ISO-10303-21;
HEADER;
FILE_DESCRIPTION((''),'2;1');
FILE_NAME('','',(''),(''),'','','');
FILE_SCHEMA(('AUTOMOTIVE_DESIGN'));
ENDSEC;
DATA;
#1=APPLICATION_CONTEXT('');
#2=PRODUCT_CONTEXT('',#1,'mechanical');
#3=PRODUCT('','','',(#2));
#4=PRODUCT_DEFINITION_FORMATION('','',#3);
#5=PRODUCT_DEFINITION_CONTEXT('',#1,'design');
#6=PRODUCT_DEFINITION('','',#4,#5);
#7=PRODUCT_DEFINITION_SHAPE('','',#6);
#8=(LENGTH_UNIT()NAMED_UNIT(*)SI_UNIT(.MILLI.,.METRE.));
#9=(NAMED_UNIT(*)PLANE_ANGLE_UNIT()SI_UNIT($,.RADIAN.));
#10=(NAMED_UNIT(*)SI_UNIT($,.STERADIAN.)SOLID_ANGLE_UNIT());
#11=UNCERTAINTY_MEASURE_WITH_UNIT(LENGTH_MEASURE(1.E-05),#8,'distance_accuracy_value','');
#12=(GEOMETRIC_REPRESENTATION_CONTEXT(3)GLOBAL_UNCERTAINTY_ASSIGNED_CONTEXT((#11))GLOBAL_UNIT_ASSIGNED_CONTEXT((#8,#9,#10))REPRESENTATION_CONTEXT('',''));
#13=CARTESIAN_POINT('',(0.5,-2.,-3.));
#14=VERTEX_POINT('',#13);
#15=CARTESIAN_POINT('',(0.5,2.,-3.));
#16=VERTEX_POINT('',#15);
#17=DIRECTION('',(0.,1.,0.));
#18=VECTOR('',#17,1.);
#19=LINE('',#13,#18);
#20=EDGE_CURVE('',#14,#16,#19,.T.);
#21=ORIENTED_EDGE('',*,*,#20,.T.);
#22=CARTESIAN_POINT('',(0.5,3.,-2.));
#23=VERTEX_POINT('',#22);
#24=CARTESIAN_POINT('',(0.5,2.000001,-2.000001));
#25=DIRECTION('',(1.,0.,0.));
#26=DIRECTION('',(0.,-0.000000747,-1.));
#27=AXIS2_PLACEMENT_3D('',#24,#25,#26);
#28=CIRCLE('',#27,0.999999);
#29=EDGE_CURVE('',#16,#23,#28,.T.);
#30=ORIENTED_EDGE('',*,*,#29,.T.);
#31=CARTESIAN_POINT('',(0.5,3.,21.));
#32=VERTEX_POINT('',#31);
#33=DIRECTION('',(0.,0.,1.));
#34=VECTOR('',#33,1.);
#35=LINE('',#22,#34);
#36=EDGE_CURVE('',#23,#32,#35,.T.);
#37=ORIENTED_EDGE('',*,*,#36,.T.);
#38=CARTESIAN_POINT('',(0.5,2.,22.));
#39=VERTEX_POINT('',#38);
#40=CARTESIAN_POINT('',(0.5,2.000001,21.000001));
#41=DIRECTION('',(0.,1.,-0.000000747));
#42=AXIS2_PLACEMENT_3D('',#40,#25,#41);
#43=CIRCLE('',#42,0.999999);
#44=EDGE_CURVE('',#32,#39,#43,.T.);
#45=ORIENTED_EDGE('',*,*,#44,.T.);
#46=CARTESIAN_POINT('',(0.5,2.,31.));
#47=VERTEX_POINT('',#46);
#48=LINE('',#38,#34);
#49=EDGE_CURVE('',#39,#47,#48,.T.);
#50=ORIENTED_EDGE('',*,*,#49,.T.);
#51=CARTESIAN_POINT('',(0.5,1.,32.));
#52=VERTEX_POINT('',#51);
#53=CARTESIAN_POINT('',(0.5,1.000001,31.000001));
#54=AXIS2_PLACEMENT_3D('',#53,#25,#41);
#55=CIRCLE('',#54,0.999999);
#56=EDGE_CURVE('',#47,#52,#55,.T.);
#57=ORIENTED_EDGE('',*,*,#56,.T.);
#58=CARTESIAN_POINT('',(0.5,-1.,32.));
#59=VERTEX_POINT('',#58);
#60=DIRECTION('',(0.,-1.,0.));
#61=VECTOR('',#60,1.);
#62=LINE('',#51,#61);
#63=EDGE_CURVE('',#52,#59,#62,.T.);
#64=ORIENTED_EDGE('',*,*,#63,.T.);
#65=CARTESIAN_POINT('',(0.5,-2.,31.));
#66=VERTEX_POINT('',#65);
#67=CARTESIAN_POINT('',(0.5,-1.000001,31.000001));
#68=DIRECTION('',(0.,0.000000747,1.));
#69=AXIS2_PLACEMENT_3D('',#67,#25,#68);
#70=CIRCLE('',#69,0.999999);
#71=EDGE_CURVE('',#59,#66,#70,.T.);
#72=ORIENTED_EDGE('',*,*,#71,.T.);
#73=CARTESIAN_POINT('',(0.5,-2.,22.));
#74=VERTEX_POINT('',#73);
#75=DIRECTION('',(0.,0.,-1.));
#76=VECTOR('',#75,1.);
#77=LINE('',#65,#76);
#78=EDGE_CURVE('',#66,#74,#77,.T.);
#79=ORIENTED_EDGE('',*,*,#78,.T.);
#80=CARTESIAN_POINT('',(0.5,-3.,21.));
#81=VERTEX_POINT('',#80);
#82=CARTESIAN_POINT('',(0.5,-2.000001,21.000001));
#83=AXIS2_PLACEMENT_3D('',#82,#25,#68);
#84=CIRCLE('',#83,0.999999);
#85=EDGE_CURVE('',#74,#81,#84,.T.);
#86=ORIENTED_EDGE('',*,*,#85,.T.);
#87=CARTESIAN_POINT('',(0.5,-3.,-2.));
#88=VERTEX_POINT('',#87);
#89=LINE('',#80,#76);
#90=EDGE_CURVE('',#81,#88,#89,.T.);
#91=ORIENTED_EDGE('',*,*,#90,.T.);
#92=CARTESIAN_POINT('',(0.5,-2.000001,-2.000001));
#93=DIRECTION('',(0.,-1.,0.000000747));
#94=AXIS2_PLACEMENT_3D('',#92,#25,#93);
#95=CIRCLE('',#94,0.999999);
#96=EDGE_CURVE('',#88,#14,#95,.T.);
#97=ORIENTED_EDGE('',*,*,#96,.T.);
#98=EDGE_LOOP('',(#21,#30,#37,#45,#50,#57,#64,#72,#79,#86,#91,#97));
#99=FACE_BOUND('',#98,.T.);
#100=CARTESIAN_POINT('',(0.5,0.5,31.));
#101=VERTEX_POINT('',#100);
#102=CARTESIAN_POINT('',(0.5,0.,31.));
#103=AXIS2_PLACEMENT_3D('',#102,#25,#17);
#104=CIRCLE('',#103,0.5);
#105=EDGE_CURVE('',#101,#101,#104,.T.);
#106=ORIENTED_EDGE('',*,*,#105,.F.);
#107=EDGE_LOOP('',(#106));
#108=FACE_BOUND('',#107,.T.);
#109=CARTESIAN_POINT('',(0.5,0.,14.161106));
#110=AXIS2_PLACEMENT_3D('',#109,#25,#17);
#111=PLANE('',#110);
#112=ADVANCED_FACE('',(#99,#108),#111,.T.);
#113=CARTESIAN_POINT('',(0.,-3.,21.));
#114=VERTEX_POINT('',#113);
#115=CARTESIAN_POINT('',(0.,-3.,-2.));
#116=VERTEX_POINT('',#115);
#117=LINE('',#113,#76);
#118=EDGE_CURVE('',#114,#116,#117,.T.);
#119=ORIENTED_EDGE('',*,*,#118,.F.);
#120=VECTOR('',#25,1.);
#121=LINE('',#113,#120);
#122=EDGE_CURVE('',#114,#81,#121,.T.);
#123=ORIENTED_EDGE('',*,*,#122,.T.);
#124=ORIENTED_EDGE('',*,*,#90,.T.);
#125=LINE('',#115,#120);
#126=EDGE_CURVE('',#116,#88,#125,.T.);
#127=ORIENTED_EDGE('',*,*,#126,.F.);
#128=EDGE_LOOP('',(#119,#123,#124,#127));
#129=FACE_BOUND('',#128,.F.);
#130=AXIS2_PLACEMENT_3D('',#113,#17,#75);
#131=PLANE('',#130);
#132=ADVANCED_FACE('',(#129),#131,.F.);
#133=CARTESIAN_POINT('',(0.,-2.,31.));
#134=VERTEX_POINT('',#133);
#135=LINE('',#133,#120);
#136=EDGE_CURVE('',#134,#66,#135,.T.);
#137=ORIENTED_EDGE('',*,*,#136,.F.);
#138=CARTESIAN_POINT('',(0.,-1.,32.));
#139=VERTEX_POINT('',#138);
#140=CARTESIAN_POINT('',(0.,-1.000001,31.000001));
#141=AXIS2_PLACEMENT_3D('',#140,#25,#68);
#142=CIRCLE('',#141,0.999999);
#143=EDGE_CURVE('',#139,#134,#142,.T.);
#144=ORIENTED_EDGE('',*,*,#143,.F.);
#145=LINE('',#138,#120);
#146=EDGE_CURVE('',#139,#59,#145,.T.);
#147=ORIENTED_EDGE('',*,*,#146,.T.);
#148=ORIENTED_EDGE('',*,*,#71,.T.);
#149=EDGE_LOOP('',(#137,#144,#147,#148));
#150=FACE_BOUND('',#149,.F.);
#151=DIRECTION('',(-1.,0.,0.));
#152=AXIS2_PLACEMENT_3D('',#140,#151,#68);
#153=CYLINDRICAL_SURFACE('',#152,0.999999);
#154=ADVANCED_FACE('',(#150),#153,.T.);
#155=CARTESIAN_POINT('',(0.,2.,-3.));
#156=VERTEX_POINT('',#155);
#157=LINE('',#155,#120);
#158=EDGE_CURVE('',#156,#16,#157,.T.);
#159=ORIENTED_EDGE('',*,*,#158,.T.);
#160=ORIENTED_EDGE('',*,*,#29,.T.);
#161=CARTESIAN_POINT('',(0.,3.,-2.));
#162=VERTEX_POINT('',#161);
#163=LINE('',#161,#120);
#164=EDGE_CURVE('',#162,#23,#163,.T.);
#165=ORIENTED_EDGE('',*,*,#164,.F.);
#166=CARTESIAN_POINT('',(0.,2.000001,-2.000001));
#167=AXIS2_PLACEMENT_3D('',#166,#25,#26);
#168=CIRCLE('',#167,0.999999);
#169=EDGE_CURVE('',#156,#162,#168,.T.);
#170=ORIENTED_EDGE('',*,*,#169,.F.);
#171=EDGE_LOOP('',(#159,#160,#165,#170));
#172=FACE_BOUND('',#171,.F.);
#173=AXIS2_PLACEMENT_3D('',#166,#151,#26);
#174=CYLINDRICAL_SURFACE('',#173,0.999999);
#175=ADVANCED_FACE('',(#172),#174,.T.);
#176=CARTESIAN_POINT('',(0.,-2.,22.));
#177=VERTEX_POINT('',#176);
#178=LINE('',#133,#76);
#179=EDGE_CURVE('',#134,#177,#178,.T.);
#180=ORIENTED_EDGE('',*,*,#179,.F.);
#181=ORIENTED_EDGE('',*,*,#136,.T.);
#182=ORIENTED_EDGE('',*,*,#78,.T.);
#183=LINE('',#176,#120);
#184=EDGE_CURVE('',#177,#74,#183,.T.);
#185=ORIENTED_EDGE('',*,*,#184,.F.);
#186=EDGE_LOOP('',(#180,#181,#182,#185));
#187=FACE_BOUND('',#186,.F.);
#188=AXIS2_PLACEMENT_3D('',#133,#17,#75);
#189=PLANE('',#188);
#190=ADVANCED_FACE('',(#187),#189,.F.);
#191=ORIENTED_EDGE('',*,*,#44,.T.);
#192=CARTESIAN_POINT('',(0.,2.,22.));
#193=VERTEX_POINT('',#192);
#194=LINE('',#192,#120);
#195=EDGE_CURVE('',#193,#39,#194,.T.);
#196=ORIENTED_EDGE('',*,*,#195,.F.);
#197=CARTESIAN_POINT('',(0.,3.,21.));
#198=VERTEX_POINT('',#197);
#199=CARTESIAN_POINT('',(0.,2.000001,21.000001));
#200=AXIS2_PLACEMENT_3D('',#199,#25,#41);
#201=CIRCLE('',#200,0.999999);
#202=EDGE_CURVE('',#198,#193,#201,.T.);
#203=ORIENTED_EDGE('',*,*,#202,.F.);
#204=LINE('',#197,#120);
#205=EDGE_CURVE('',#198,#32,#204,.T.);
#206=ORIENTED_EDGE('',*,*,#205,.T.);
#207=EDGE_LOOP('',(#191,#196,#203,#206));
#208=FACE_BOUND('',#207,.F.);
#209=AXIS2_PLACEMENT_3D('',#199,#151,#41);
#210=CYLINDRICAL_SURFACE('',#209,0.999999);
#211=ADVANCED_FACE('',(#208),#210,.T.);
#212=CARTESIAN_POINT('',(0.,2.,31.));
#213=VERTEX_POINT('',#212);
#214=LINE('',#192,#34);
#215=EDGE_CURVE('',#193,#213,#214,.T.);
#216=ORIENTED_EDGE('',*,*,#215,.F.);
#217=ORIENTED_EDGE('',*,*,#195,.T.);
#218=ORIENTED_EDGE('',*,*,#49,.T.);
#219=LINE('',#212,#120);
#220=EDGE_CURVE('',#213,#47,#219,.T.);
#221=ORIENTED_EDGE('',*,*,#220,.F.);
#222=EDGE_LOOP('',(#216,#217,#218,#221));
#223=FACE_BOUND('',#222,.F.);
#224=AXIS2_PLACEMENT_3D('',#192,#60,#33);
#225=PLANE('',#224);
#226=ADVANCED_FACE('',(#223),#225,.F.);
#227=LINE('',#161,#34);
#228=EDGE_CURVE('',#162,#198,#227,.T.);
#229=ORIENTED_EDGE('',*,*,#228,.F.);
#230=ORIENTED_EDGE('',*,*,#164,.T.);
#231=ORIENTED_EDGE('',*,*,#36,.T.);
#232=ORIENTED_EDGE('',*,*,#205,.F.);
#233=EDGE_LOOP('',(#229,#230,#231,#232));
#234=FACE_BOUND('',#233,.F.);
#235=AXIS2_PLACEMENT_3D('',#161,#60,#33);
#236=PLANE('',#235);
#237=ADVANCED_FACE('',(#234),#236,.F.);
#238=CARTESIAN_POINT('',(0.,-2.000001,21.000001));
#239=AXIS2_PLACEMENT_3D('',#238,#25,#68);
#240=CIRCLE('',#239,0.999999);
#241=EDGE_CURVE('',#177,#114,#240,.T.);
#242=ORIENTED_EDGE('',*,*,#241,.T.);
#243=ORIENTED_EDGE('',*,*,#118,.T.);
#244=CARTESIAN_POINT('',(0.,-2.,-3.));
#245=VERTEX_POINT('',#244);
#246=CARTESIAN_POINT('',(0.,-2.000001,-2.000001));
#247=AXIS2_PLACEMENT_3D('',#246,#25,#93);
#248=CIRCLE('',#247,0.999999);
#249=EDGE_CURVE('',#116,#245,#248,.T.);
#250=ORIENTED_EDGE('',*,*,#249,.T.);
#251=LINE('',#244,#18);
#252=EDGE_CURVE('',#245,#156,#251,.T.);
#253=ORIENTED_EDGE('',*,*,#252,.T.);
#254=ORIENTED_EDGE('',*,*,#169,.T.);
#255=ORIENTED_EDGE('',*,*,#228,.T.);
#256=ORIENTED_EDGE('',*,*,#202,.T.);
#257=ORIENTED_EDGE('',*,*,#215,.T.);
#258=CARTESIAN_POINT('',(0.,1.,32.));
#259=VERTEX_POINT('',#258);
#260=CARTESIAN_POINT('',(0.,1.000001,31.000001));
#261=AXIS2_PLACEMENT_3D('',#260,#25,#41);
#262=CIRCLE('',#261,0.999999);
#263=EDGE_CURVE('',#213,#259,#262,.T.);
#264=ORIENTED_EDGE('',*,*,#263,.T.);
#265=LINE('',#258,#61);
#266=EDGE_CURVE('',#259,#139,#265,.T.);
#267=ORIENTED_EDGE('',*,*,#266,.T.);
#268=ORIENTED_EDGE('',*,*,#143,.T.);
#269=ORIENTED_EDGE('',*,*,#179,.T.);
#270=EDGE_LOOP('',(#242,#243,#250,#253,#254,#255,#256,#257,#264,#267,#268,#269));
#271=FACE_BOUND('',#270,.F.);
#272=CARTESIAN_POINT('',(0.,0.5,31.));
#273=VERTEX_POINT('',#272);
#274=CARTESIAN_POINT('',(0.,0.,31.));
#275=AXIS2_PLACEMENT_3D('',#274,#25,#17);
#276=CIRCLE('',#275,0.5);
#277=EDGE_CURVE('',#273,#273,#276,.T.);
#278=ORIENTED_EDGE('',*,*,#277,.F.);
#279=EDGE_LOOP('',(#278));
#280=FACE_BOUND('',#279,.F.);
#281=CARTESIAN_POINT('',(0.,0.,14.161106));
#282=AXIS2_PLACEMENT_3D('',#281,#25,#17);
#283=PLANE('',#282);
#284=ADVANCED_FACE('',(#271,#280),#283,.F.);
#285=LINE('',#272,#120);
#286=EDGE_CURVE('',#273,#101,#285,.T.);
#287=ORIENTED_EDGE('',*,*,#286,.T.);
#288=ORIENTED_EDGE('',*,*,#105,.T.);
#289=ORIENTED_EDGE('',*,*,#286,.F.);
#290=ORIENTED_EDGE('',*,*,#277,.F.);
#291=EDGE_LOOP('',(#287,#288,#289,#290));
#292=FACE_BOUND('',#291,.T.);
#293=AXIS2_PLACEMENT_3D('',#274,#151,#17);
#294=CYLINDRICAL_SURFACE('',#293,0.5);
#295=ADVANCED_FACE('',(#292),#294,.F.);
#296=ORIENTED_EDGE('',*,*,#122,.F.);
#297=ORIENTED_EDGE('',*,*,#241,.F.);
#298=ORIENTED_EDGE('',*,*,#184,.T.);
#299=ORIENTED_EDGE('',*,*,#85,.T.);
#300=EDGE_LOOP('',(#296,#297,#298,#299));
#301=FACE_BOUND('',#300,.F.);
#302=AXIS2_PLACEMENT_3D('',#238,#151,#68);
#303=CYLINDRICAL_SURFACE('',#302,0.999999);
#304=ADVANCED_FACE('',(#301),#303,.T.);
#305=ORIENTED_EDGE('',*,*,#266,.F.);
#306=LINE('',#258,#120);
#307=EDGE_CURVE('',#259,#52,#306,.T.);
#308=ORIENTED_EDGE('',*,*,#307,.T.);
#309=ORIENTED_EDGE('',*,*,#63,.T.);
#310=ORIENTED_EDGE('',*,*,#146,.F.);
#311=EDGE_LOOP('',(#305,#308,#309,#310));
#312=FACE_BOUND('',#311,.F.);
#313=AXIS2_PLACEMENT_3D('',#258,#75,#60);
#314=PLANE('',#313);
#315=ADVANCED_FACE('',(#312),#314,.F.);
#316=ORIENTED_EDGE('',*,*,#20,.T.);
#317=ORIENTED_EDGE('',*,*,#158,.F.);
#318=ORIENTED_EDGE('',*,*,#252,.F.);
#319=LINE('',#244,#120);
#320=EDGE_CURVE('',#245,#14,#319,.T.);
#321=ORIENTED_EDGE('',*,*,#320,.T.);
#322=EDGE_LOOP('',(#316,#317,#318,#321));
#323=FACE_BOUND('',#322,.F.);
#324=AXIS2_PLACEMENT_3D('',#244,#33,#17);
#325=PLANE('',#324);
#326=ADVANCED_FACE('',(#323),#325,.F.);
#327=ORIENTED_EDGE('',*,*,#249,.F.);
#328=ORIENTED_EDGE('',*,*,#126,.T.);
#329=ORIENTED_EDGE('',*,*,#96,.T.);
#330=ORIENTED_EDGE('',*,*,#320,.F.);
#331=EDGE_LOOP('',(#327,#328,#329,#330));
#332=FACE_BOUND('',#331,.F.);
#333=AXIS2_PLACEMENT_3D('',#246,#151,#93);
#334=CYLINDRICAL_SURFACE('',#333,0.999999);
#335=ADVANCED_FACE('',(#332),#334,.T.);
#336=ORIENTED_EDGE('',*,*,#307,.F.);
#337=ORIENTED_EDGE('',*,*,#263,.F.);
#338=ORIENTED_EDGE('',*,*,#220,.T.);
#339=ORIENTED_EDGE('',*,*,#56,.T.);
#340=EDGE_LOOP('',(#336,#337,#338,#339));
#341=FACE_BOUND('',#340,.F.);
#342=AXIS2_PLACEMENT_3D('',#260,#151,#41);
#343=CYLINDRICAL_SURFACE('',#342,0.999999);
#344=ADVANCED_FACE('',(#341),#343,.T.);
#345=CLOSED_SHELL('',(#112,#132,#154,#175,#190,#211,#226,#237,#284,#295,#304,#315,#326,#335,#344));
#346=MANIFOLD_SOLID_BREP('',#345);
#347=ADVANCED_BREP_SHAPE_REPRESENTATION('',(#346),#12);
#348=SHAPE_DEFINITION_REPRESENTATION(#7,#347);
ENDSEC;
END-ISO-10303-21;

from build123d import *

# Parameters (mm, degrees)
F0_R     = 0.5
F1_DEPTH = 0.5


with BuildPart() as f1:
    # F0 (on Right) → F1 (new body)
    with BuildSketch(Plane.YZ):
        with BuildLine():
            ThreePointArc((-3, -2), (-2.707107, -2.707107), (-2, -3))
            Line((-2, -3), (2, -3))
            ThreePointArc((2, -3), (2.707107, -2.707107), (3, -2))
            Line((3, -2), (3, 21))
            ThreePointArc((3, 21), (2.707107, 21.707107), (2, 22))
            Line((2, 22), (2, 31))
            ThreePointArc((2, 31), (1.707107, 31.707107), (1, 32))
            Line((1, 32), (-1, 32))
            ThreePointArc((-1, 32), (-1.707107, 31.707107), (-2, 31))
            Line((-2, 31), (-2, 22))
            ThreePointArc((-2, 22), (-2.707107, 21.707107), (-3, 21))
            Line((-3, 21), (-3, -2))
        make_face()
        with Locations((0, 31)):
            Circle(F0_R, mode=Mode.SUBTRACT)
    extrude(amount=F1_DEPTH)


solid = f1.part
